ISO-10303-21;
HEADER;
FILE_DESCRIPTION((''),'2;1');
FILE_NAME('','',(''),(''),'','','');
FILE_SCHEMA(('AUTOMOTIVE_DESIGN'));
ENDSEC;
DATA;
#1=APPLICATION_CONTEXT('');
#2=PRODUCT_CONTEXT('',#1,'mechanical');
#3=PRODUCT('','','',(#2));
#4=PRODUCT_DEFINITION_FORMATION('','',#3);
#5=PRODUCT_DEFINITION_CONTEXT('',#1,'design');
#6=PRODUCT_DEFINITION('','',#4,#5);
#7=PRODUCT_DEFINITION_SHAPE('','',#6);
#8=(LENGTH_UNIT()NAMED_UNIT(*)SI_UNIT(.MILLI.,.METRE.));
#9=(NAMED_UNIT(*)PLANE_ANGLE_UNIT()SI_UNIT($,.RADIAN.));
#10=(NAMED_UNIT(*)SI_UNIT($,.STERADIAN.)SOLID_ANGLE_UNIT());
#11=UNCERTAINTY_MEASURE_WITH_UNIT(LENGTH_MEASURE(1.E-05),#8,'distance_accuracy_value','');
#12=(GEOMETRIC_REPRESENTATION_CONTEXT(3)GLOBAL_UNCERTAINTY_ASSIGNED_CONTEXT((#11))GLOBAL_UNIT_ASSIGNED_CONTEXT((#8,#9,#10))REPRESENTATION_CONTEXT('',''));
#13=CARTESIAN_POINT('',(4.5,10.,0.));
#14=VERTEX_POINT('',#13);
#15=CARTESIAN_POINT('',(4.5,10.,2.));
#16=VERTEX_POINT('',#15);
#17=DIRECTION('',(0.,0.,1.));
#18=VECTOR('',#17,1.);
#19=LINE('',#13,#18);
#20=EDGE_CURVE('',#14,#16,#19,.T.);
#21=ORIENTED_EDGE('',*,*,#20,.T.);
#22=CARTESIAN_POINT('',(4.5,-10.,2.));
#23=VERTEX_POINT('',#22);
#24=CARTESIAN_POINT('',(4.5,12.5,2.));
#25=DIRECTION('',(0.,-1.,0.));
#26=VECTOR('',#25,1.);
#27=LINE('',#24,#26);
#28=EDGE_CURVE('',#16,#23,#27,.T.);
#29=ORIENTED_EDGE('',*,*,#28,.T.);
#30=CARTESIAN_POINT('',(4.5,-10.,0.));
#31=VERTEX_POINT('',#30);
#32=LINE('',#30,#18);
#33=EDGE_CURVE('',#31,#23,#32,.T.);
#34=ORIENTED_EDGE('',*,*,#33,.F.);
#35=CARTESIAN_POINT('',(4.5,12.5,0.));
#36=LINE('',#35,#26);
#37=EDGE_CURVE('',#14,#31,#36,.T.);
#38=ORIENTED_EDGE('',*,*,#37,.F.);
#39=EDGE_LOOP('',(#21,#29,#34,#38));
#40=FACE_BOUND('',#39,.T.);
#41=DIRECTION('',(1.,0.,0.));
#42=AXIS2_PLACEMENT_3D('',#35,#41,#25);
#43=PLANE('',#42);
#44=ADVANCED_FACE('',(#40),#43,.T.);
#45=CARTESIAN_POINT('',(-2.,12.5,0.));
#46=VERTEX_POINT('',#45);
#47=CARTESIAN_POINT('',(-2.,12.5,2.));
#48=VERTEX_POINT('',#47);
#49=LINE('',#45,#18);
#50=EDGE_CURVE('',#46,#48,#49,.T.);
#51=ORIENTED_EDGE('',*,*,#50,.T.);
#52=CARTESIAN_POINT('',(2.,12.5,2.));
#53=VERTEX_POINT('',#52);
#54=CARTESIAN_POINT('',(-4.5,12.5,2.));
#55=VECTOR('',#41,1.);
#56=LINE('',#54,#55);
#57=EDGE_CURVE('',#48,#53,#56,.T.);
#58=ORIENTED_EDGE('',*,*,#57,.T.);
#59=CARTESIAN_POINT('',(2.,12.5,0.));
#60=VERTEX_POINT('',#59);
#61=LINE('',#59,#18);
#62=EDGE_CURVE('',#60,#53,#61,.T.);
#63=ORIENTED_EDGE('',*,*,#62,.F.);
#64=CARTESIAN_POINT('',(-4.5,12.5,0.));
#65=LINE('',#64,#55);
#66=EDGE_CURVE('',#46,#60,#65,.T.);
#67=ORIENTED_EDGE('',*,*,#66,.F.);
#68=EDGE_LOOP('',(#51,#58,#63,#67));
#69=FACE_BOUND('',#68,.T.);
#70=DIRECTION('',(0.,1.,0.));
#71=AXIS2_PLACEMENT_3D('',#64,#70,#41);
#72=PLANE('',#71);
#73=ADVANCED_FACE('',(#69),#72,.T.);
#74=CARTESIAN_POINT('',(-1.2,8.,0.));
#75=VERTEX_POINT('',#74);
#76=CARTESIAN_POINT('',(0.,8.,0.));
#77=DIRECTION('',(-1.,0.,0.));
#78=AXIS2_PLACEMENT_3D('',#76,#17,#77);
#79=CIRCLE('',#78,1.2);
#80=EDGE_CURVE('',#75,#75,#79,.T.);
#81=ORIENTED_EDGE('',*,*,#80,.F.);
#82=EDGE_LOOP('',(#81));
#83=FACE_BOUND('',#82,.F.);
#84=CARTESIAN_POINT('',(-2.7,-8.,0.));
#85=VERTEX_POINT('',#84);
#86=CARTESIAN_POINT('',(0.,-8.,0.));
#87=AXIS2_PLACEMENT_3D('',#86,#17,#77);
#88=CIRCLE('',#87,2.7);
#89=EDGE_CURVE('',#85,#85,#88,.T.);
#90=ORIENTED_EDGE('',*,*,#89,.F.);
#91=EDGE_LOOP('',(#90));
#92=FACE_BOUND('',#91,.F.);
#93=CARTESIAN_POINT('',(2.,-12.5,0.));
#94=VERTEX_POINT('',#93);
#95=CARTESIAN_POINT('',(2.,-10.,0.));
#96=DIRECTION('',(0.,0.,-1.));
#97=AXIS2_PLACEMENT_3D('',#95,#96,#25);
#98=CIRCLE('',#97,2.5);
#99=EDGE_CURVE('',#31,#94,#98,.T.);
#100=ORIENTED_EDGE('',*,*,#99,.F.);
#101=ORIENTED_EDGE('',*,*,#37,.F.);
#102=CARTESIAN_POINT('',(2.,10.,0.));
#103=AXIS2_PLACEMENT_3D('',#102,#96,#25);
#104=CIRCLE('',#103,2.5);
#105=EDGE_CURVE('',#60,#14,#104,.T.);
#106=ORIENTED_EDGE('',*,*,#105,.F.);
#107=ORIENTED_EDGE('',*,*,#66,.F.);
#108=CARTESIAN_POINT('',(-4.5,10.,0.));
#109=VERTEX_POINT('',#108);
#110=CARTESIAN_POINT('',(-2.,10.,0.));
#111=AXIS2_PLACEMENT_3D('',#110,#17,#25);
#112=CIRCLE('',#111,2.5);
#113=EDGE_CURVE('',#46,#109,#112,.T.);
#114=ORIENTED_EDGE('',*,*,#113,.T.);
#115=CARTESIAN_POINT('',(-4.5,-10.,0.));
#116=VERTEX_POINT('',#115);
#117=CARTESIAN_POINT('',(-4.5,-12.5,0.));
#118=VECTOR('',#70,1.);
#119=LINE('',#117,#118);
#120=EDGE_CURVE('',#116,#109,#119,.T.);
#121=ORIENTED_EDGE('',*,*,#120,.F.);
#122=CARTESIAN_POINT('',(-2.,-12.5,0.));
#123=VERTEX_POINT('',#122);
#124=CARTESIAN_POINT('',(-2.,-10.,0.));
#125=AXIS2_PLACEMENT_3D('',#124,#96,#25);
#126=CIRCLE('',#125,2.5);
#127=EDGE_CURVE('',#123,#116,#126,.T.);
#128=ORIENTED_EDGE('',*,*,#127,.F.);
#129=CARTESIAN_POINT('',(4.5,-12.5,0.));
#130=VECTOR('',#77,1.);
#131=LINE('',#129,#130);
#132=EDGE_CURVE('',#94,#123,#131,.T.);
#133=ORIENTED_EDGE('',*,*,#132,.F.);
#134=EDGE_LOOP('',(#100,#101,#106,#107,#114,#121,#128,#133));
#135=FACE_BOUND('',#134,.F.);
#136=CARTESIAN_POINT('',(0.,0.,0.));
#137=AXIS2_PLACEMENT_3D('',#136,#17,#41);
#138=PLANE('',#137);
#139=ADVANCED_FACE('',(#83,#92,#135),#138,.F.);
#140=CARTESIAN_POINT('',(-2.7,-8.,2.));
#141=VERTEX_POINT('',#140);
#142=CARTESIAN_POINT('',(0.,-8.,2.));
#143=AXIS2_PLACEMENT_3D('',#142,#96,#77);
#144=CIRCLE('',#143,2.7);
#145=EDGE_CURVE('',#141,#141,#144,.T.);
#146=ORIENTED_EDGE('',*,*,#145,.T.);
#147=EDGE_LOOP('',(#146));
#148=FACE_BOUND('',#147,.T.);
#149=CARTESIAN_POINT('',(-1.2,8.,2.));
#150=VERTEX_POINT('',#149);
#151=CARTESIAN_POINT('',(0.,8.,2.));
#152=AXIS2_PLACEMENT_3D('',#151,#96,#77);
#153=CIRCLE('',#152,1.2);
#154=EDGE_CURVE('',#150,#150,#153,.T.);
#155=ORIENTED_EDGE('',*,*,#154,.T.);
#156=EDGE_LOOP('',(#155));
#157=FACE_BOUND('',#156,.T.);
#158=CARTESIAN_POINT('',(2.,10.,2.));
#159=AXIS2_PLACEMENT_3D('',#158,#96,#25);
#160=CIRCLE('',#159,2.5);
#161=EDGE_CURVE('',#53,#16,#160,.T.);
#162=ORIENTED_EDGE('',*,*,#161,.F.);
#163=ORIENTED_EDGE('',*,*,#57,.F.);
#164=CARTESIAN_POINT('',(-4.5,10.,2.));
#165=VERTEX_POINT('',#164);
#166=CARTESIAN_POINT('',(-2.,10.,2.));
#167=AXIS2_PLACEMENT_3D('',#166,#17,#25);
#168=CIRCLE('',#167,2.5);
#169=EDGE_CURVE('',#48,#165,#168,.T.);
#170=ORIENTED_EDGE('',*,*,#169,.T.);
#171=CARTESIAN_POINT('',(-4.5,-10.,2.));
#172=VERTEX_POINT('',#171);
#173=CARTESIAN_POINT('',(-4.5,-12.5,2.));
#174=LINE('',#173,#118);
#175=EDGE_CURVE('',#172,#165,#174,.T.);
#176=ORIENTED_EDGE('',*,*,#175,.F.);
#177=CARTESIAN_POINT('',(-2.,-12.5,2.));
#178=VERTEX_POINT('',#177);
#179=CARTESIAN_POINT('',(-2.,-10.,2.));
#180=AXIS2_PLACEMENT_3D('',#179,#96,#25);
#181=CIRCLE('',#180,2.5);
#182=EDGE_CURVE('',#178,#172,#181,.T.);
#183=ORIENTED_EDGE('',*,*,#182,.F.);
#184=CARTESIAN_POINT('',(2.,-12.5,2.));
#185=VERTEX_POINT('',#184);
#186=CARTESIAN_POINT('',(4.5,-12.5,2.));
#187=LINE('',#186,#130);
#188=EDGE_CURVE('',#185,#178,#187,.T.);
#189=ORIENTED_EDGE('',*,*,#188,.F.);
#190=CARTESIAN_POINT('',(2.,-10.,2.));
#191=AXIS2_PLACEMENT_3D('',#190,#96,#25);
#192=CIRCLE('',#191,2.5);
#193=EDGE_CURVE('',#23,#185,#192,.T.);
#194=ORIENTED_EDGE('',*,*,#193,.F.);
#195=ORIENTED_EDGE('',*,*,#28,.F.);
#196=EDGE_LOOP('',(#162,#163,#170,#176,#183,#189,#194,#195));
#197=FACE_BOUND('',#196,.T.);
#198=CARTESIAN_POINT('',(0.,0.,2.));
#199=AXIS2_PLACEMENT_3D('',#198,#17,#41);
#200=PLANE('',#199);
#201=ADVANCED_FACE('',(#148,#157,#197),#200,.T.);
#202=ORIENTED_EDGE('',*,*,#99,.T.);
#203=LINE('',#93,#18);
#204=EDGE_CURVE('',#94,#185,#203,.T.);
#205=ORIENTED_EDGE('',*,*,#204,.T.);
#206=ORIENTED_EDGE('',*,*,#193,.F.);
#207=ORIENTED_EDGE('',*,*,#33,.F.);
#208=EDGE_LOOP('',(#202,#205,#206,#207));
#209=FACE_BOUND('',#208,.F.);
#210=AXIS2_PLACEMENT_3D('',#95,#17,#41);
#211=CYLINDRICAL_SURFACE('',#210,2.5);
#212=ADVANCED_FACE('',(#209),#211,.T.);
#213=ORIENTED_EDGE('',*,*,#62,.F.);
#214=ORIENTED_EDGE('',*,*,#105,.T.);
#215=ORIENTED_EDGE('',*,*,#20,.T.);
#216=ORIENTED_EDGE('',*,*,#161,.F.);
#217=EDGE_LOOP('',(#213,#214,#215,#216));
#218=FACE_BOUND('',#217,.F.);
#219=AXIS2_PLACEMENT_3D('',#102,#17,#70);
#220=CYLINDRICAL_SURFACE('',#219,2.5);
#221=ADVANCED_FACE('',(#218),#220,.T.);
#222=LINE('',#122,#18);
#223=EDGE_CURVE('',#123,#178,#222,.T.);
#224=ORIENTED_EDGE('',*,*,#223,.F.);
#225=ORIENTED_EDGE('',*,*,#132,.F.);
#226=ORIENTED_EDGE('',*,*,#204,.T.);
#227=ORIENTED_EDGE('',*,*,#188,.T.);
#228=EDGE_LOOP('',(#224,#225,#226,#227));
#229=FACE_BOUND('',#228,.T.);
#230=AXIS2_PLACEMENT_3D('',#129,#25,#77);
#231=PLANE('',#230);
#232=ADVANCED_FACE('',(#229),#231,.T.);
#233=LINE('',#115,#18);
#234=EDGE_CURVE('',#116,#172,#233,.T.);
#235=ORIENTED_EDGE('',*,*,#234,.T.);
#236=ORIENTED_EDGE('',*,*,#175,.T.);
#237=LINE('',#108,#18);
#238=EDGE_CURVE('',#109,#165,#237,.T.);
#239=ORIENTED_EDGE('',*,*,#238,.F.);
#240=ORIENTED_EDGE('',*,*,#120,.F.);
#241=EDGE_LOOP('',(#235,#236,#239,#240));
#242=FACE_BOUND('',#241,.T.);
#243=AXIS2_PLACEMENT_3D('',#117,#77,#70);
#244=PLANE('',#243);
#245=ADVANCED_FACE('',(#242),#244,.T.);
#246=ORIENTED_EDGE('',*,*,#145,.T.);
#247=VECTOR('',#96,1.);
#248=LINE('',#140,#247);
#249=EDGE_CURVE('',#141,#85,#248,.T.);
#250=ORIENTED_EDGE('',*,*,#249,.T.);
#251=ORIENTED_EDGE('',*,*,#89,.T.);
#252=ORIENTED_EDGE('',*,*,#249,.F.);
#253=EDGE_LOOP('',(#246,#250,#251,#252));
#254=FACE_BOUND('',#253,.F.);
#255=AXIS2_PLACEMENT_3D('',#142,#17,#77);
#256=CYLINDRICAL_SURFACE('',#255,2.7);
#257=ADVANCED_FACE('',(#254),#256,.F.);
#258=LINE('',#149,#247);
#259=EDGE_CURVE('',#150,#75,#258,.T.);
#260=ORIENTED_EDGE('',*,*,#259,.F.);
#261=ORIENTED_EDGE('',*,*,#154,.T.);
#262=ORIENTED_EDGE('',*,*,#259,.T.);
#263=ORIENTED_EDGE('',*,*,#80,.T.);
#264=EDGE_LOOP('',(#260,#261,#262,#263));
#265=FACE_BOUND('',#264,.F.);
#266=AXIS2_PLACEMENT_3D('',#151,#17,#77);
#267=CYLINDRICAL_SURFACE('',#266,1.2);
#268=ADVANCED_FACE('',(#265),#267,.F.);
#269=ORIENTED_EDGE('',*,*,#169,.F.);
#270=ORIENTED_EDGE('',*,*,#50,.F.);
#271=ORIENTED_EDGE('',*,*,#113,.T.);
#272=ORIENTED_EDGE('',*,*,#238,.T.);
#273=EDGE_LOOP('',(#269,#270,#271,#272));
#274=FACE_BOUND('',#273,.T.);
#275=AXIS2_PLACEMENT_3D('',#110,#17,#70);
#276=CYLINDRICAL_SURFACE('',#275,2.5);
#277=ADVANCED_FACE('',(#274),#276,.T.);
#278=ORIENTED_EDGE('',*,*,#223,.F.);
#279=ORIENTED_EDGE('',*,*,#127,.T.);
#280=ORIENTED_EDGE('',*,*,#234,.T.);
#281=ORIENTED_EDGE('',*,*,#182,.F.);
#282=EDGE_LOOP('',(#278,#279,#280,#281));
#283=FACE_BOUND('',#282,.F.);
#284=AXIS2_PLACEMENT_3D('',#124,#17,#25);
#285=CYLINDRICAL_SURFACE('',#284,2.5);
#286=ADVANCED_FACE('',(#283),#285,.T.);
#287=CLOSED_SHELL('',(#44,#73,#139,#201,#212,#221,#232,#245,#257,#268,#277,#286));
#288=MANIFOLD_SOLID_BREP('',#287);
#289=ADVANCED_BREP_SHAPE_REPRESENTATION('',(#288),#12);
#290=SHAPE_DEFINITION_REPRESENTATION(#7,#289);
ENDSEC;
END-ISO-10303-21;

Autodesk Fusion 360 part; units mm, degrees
sketch "Sketch1" plane through (0, 0, 0) normal (0, 0, 1) x (1, 0, 0)
  line L0 (-4.5, 12.5) -> (4.5, 12.5)
  line L1 (4.5, 12.5) -> (4.5, -12.5)
  line L2 (4.5, -12.5) -> (-4.5, -12.5)
  line L3 (-4.5, -12.5) -> (-4.5, 12.5)
  line L4 (-4.5, 12.5) -> (4.5, -12.5) construction
  line L5 (4.5, 12.5) -> (-4.5, -12.5) construction
  dimension "d1" = 9
  dimension "d2" = 25
extrude "Extrude1" add sketch "Sketch1" along normal blind 2
fillet "Fillet4" radius 2.5 4 edges at (4.5, 12.5, 1) (-4.5, 12.5, 1) (-4.5, -12.5, 1) (4.5, -12.5, 1)
sketch "Sketch7" plane through (0, 0, 2) normal (0, 0, 1) x (-1, 0, 0)
  arc A0 (-2, 12.5) -> (-4.5, 10) centre (-2, 10) ccw
  line L0 (-4.5, 10) -> (-4.5, -10)
  arc A1 (2, -12.5) -> (4.5, -10) centre (2, -10) ccw
  line L1 (4.5, -10) -> (4.5, 10)
  arc A2 (-4.5, -10) -> (-2, -12.5) centre (-2, -10) ccw
  line L2 (-2, -12.5) -> (2, -12.5)
  arc A3 (4.5, 10) -> (2, 12.5) centre (2, 10) ccw
  line L3 (2, 12.5) -> (-2, 12.5)
  line L4 (0, 12.5) -> (0, -12.5) construction
  line L5 (0, 12.5) -> (0, 8)
  line L6 (0, -12.5) -> (0, -8)
  circle A4 centre (0, -8) radius 1.2
  circle A5 centre (0, 8) radius 2.7
  dimension "d40" = 2.4
  dimension "d41" = 5.4
extrude "Extrude7" cut sketch "Sketch7" against normal blind 3 contours A4 | A5
